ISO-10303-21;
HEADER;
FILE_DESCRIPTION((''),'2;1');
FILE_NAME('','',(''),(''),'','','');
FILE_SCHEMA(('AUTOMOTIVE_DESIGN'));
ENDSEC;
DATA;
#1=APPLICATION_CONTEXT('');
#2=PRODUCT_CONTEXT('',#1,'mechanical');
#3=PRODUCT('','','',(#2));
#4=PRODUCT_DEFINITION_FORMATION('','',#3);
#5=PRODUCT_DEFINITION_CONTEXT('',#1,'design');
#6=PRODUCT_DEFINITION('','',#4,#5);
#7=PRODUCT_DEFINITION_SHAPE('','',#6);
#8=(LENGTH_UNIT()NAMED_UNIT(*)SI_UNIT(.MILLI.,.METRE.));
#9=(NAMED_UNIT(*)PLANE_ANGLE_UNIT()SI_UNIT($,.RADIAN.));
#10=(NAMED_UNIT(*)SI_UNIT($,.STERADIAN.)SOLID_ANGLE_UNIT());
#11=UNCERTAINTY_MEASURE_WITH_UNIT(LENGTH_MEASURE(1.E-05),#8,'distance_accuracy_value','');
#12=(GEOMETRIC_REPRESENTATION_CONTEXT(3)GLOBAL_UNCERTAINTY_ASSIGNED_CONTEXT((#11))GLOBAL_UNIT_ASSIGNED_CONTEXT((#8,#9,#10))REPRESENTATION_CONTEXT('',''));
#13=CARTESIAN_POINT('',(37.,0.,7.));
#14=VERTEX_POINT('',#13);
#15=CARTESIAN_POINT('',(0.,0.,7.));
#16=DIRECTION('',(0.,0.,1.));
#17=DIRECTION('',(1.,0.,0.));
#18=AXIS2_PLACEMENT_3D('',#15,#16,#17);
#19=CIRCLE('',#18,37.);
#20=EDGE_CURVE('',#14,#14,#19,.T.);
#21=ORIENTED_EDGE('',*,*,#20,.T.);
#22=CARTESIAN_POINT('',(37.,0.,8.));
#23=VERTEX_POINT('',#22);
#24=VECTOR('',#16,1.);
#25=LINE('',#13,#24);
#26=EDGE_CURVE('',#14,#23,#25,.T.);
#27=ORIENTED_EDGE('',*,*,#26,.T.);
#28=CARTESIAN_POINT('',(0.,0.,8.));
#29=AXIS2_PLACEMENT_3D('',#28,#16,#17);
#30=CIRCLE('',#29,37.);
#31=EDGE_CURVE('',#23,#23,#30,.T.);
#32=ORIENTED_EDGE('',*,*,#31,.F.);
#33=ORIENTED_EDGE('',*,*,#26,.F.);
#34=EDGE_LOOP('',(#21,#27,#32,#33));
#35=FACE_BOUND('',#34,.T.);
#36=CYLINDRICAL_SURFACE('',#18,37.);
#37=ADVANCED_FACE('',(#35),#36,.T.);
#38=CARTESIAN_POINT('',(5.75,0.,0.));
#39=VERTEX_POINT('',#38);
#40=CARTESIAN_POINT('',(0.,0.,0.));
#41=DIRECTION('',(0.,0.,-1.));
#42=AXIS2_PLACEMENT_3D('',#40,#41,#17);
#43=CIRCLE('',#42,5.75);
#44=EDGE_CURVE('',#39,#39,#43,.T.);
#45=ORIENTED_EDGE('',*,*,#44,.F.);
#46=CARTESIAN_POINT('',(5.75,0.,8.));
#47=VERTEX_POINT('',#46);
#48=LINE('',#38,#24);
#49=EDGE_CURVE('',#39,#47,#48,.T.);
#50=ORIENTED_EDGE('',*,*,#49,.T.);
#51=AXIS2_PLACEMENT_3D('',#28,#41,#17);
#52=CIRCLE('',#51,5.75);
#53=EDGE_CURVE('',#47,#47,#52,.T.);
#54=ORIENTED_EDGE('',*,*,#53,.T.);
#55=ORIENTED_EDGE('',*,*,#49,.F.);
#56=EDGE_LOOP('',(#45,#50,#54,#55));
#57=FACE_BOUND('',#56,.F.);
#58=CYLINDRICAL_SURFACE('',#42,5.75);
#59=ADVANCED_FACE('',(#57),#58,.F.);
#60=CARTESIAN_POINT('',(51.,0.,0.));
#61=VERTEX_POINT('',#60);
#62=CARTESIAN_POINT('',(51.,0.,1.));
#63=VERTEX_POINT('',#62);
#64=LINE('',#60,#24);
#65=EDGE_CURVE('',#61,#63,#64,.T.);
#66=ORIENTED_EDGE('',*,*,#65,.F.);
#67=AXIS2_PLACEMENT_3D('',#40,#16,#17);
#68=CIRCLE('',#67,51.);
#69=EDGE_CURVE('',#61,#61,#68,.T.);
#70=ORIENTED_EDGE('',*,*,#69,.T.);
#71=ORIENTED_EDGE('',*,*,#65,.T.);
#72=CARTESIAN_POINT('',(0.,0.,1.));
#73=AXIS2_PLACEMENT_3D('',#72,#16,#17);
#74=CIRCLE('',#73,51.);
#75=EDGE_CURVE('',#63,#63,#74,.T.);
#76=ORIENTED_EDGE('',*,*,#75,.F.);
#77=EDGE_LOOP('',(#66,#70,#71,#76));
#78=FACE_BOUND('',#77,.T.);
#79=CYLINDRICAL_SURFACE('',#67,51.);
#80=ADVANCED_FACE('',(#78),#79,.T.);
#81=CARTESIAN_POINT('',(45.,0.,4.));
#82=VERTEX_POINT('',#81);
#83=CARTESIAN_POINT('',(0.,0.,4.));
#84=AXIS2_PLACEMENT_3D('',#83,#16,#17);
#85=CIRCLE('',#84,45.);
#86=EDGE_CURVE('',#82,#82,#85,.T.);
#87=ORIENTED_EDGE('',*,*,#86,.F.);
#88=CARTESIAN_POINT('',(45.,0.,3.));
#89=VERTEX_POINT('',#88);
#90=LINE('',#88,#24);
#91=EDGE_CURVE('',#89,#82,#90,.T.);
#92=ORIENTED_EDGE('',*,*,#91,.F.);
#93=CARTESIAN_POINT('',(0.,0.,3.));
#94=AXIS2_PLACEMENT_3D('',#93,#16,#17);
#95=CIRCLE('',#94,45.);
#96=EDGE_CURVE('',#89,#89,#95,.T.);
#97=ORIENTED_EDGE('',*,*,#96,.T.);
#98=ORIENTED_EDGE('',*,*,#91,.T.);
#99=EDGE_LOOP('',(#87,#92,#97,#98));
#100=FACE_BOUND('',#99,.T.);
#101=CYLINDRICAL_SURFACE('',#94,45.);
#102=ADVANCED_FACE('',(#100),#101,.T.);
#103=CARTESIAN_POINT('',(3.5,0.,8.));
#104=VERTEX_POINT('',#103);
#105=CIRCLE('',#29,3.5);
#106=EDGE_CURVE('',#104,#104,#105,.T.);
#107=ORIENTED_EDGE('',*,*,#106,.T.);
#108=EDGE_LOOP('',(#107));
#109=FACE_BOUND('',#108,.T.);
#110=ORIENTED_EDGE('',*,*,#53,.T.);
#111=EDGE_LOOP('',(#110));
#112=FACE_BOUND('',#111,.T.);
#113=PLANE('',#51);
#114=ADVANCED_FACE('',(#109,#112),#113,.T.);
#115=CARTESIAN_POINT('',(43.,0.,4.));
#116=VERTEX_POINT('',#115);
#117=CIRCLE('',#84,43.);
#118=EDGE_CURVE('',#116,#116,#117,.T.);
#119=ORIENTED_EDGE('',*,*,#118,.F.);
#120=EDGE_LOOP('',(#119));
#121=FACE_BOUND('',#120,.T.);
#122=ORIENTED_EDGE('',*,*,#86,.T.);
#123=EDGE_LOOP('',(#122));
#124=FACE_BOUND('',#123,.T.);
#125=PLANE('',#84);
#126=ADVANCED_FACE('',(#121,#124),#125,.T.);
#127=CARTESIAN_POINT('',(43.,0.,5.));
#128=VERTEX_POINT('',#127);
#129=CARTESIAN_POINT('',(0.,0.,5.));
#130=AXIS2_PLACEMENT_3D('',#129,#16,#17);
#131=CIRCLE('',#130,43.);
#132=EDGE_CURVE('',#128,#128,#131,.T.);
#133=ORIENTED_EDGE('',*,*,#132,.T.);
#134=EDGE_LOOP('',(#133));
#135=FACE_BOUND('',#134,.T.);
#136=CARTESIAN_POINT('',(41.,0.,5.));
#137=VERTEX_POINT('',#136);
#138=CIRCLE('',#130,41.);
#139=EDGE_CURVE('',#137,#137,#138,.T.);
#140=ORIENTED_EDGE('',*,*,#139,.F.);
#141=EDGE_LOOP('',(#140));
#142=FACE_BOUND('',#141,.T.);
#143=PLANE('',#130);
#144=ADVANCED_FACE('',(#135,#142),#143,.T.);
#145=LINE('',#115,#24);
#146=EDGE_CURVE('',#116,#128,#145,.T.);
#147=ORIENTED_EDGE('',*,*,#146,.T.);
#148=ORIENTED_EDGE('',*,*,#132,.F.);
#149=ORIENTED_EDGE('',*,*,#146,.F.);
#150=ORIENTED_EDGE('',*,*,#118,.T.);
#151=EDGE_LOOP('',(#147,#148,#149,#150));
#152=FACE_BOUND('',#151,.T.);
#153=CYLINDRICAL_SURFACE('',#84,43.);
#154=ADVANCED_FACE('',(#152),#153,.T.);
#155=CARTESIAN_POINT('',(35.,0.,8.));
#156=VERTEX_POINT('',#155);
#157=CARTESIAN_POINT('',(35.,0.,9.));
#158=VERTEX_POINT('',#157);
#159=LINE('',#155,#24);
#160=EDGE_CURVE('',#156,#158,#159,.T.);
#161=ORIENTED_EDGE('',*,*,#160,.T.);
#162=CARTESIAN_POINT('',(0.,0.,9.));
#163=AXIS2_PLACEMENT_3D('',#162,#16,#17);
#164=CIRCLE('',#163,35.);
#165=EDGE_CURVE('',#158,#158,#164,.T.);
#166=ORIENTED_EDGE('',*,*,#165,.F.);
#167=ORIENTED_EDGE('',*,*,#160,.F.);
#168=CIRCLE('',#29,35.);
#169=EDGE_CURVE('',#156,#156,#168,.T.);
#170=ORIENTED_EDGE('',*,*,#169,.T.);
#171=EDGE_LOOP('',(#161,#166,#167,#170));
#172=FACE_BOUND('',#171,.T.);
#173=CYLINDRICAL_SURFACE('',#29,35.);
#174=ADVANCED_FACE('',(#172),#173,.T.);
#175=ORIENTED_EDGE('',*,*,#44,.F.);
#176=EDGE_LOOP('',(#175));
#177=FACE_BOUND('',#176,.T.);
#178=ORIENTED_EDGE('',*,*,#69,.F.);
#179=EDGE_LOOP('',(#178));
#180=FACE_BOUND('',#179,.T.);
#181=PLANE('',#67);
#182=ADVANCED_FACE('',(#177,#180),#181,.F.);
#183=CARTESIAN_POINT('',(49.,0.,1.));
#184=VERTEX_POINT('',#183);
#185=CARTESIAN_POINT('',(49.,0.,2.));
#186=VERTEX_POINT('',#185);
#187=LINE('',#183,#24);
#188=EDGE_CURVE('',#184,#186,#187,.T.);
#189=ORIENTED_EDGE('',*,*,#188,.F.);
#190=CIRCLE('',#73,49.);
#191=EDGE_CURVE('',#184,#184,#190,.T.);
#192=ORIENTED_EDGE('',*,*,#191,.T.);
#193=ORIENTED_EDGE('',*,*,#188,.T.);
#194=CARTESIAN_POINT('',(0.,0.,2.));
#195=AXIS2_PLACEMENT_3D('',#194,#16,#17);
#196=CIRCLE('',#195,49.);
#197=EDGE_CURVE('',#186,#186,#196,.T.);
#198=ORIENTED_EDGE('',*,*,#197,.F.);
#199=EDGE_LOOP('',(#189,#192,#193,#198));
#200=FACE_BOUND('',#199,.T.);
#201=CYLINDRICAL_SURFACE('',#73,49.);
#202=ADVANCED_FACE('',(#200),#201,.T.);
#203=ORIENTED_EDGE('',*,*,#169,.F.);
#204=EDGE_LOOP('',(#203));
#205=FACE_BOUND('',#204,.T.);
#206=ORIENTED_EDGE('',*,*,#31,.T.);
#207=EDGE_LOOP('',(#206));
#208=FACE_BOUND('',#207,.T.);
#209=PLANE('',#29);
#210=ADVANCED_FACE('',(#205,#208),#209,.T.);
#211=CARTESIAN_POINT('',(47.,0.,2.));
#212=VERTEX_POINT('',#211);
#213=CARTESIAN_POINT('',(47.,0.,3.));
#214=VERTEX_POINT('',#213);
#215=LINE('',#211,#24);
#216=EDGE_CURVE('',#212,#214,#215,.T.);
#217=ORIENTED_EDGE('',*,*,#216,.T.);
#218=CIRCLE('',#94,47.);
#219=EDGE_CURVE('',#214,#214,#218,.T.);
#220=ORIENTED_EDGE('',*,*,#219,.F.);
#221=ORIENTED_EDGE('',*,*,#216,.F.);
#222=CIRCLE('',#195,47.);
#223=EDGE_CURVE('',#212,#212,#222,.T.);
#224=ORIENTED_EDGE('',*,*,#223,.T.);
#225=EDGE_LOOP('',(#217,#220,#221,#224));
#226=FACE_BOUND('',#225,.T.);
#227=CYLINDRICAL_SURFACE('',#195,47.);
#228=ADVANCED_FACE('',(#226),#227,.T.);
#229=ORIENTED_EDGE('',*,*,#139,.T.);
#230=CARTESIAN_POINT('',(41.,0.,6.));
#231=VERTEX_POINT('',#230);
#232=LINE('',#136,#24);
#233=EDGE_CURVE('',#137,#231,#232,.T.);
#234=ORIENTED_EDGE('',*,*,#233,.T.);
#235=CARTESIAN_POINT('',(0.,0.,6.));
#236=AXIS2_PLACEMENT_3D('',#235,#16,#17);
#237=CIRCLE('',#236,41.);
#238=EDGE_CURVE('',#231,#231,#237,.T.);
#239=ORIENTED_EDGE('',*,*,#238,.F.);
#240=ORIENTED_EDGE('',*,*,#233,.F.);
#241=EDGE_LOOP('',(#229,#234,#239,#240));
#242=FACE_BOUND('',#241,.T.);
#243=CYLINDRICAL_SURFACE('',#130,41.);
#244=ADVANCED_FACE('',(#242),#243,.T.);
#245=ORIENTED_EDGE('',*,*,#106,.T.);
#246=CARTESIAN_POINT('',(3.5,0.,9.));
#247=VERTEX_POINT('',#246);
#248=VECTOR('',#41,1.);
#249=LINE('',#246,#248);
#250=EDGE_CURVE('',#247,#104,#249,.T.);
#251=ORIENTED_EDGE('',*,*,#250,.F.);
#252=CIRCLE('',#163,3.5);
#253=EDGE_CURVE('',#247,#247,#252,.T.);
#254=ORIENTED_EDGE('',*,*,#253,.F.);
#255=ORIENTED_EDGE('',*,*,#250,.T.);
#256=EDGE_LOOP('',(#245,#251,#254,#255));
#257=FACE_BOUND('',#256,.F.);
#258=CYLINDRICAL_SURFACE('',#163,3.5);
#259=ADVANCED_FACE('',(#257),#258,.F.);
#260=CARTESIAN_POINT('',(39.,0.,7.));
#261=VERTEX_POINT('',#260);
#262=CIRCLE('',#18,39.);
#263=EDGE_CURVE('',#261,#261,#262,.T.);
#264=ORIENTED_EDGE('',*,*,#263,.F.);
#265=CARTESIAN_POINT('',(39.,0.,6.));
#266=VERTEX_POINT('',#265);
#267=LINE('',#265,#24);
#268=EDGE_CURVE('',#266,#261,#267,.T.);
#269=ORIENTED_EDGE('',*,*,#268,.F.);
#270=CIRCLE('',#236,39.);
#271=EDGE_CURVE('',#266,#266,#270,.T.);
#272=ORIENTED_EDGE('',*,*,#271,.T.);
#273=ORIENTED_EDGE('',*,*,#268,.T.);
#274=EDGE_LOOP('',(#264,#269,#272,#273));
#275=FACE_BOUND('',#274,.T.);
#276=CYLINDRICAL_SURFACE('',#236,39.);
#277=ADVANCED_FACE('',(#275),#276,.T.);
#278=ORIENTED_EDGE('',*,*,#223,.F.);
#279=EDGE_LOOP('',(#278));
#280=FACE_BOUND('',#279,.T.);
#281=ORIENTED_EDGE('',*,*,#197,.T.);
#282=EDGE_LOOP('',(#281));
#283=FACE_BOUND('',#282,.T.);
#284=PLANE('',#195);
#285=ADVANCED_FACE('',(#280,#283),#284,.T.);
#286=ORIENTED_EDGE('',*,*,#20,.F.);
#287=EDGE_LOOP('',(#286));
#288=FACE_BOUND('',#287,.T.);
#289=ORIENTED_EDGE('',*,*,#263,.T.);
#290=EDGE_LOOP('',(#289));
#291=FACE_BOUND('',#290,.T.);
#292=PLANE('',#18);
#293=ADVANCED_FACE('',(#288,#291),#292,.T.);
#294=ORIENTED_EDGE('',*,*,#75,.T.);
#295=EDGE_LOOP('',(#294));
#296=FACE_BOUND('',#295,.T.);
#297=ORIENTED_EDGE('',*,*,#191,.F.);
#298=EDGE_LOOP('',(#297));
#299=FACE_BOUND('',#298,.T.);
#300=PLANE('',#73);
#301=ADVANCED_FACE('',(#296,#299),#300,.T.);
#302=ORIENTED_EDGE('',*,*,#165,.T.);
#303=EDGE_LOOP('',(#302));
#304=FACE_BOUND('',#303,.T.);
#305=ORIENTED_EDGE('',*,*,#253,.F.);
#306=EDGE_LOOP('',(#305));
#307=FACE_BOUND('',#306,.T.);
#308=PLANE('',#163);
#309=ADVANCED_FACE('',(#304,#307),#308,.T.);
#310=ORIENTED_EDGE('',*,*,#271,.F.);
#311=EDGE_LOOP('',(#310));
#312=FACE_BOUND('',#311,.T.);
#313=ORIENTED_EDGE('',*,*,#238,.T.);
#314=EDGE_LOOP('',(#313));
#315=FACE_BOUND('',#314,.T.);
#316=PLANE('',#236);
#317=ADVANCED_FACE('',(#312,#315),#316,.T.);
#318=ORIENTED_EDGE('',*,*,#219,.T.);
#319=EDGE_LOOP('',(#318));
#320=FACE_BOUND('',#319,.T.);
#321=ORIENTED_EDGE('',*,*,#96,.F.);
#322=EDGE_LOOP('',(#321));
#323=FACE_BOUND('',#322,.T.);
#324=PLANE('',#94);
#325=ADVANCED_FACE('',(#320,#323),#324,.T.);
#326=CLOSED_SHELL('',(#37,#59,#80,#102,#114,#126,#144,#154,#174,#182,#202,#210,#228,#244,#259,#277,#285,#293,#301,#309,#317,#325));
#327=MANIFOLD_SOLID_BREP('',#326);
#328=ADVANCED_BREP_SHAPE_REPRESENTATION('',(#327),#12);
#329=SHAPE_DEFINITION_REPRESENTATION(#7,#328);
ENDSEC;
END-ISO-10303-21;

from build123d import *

# Parameters (mm, degrees)
F2_R     = 3.5
F3_DEPTH = 9.001
F4_R     = 5.75
F5_DEPTH = 8


with BuildPart() as f1:
    # F0 (on Front) → F1 (revolve)
    with BuildSketch(Plane.XZ):
        Polygon((0, 9), (0, 0), (51, 0), (51, 1), (49, 1), (49, 2), (47, 2), (47, 3), (45, 3), (45, 4), (43, 4), (43, 5), (41, 5), (41, 6), (39, 6), (39, 7), (37, 7), (37, 8), (35, 8), (35, 9), align=None)
    revolve(axis=Axis((0, 0, 4.5), (0, 0, 1)))

    # F2 (on face) → F3 (cut, through all)
    with BuildSketch(Plane.XY.offset(9)):
        Circle(F2_R)
    extrude(amount=-F3_DEPTH, mode=Mode.SUBTRACT)

    # F4 (on face) → F5 (cut)
    with BuildSketch(Plane(origin=(0, 0, 0), x_dir=(1, 0, 0), z_dir=(0, 0, -1))):
        Circle(F4_R)
    extrude(amount=-F5_DEPTH, mode=Mode.SUBTRACT)


solid = f1.part
